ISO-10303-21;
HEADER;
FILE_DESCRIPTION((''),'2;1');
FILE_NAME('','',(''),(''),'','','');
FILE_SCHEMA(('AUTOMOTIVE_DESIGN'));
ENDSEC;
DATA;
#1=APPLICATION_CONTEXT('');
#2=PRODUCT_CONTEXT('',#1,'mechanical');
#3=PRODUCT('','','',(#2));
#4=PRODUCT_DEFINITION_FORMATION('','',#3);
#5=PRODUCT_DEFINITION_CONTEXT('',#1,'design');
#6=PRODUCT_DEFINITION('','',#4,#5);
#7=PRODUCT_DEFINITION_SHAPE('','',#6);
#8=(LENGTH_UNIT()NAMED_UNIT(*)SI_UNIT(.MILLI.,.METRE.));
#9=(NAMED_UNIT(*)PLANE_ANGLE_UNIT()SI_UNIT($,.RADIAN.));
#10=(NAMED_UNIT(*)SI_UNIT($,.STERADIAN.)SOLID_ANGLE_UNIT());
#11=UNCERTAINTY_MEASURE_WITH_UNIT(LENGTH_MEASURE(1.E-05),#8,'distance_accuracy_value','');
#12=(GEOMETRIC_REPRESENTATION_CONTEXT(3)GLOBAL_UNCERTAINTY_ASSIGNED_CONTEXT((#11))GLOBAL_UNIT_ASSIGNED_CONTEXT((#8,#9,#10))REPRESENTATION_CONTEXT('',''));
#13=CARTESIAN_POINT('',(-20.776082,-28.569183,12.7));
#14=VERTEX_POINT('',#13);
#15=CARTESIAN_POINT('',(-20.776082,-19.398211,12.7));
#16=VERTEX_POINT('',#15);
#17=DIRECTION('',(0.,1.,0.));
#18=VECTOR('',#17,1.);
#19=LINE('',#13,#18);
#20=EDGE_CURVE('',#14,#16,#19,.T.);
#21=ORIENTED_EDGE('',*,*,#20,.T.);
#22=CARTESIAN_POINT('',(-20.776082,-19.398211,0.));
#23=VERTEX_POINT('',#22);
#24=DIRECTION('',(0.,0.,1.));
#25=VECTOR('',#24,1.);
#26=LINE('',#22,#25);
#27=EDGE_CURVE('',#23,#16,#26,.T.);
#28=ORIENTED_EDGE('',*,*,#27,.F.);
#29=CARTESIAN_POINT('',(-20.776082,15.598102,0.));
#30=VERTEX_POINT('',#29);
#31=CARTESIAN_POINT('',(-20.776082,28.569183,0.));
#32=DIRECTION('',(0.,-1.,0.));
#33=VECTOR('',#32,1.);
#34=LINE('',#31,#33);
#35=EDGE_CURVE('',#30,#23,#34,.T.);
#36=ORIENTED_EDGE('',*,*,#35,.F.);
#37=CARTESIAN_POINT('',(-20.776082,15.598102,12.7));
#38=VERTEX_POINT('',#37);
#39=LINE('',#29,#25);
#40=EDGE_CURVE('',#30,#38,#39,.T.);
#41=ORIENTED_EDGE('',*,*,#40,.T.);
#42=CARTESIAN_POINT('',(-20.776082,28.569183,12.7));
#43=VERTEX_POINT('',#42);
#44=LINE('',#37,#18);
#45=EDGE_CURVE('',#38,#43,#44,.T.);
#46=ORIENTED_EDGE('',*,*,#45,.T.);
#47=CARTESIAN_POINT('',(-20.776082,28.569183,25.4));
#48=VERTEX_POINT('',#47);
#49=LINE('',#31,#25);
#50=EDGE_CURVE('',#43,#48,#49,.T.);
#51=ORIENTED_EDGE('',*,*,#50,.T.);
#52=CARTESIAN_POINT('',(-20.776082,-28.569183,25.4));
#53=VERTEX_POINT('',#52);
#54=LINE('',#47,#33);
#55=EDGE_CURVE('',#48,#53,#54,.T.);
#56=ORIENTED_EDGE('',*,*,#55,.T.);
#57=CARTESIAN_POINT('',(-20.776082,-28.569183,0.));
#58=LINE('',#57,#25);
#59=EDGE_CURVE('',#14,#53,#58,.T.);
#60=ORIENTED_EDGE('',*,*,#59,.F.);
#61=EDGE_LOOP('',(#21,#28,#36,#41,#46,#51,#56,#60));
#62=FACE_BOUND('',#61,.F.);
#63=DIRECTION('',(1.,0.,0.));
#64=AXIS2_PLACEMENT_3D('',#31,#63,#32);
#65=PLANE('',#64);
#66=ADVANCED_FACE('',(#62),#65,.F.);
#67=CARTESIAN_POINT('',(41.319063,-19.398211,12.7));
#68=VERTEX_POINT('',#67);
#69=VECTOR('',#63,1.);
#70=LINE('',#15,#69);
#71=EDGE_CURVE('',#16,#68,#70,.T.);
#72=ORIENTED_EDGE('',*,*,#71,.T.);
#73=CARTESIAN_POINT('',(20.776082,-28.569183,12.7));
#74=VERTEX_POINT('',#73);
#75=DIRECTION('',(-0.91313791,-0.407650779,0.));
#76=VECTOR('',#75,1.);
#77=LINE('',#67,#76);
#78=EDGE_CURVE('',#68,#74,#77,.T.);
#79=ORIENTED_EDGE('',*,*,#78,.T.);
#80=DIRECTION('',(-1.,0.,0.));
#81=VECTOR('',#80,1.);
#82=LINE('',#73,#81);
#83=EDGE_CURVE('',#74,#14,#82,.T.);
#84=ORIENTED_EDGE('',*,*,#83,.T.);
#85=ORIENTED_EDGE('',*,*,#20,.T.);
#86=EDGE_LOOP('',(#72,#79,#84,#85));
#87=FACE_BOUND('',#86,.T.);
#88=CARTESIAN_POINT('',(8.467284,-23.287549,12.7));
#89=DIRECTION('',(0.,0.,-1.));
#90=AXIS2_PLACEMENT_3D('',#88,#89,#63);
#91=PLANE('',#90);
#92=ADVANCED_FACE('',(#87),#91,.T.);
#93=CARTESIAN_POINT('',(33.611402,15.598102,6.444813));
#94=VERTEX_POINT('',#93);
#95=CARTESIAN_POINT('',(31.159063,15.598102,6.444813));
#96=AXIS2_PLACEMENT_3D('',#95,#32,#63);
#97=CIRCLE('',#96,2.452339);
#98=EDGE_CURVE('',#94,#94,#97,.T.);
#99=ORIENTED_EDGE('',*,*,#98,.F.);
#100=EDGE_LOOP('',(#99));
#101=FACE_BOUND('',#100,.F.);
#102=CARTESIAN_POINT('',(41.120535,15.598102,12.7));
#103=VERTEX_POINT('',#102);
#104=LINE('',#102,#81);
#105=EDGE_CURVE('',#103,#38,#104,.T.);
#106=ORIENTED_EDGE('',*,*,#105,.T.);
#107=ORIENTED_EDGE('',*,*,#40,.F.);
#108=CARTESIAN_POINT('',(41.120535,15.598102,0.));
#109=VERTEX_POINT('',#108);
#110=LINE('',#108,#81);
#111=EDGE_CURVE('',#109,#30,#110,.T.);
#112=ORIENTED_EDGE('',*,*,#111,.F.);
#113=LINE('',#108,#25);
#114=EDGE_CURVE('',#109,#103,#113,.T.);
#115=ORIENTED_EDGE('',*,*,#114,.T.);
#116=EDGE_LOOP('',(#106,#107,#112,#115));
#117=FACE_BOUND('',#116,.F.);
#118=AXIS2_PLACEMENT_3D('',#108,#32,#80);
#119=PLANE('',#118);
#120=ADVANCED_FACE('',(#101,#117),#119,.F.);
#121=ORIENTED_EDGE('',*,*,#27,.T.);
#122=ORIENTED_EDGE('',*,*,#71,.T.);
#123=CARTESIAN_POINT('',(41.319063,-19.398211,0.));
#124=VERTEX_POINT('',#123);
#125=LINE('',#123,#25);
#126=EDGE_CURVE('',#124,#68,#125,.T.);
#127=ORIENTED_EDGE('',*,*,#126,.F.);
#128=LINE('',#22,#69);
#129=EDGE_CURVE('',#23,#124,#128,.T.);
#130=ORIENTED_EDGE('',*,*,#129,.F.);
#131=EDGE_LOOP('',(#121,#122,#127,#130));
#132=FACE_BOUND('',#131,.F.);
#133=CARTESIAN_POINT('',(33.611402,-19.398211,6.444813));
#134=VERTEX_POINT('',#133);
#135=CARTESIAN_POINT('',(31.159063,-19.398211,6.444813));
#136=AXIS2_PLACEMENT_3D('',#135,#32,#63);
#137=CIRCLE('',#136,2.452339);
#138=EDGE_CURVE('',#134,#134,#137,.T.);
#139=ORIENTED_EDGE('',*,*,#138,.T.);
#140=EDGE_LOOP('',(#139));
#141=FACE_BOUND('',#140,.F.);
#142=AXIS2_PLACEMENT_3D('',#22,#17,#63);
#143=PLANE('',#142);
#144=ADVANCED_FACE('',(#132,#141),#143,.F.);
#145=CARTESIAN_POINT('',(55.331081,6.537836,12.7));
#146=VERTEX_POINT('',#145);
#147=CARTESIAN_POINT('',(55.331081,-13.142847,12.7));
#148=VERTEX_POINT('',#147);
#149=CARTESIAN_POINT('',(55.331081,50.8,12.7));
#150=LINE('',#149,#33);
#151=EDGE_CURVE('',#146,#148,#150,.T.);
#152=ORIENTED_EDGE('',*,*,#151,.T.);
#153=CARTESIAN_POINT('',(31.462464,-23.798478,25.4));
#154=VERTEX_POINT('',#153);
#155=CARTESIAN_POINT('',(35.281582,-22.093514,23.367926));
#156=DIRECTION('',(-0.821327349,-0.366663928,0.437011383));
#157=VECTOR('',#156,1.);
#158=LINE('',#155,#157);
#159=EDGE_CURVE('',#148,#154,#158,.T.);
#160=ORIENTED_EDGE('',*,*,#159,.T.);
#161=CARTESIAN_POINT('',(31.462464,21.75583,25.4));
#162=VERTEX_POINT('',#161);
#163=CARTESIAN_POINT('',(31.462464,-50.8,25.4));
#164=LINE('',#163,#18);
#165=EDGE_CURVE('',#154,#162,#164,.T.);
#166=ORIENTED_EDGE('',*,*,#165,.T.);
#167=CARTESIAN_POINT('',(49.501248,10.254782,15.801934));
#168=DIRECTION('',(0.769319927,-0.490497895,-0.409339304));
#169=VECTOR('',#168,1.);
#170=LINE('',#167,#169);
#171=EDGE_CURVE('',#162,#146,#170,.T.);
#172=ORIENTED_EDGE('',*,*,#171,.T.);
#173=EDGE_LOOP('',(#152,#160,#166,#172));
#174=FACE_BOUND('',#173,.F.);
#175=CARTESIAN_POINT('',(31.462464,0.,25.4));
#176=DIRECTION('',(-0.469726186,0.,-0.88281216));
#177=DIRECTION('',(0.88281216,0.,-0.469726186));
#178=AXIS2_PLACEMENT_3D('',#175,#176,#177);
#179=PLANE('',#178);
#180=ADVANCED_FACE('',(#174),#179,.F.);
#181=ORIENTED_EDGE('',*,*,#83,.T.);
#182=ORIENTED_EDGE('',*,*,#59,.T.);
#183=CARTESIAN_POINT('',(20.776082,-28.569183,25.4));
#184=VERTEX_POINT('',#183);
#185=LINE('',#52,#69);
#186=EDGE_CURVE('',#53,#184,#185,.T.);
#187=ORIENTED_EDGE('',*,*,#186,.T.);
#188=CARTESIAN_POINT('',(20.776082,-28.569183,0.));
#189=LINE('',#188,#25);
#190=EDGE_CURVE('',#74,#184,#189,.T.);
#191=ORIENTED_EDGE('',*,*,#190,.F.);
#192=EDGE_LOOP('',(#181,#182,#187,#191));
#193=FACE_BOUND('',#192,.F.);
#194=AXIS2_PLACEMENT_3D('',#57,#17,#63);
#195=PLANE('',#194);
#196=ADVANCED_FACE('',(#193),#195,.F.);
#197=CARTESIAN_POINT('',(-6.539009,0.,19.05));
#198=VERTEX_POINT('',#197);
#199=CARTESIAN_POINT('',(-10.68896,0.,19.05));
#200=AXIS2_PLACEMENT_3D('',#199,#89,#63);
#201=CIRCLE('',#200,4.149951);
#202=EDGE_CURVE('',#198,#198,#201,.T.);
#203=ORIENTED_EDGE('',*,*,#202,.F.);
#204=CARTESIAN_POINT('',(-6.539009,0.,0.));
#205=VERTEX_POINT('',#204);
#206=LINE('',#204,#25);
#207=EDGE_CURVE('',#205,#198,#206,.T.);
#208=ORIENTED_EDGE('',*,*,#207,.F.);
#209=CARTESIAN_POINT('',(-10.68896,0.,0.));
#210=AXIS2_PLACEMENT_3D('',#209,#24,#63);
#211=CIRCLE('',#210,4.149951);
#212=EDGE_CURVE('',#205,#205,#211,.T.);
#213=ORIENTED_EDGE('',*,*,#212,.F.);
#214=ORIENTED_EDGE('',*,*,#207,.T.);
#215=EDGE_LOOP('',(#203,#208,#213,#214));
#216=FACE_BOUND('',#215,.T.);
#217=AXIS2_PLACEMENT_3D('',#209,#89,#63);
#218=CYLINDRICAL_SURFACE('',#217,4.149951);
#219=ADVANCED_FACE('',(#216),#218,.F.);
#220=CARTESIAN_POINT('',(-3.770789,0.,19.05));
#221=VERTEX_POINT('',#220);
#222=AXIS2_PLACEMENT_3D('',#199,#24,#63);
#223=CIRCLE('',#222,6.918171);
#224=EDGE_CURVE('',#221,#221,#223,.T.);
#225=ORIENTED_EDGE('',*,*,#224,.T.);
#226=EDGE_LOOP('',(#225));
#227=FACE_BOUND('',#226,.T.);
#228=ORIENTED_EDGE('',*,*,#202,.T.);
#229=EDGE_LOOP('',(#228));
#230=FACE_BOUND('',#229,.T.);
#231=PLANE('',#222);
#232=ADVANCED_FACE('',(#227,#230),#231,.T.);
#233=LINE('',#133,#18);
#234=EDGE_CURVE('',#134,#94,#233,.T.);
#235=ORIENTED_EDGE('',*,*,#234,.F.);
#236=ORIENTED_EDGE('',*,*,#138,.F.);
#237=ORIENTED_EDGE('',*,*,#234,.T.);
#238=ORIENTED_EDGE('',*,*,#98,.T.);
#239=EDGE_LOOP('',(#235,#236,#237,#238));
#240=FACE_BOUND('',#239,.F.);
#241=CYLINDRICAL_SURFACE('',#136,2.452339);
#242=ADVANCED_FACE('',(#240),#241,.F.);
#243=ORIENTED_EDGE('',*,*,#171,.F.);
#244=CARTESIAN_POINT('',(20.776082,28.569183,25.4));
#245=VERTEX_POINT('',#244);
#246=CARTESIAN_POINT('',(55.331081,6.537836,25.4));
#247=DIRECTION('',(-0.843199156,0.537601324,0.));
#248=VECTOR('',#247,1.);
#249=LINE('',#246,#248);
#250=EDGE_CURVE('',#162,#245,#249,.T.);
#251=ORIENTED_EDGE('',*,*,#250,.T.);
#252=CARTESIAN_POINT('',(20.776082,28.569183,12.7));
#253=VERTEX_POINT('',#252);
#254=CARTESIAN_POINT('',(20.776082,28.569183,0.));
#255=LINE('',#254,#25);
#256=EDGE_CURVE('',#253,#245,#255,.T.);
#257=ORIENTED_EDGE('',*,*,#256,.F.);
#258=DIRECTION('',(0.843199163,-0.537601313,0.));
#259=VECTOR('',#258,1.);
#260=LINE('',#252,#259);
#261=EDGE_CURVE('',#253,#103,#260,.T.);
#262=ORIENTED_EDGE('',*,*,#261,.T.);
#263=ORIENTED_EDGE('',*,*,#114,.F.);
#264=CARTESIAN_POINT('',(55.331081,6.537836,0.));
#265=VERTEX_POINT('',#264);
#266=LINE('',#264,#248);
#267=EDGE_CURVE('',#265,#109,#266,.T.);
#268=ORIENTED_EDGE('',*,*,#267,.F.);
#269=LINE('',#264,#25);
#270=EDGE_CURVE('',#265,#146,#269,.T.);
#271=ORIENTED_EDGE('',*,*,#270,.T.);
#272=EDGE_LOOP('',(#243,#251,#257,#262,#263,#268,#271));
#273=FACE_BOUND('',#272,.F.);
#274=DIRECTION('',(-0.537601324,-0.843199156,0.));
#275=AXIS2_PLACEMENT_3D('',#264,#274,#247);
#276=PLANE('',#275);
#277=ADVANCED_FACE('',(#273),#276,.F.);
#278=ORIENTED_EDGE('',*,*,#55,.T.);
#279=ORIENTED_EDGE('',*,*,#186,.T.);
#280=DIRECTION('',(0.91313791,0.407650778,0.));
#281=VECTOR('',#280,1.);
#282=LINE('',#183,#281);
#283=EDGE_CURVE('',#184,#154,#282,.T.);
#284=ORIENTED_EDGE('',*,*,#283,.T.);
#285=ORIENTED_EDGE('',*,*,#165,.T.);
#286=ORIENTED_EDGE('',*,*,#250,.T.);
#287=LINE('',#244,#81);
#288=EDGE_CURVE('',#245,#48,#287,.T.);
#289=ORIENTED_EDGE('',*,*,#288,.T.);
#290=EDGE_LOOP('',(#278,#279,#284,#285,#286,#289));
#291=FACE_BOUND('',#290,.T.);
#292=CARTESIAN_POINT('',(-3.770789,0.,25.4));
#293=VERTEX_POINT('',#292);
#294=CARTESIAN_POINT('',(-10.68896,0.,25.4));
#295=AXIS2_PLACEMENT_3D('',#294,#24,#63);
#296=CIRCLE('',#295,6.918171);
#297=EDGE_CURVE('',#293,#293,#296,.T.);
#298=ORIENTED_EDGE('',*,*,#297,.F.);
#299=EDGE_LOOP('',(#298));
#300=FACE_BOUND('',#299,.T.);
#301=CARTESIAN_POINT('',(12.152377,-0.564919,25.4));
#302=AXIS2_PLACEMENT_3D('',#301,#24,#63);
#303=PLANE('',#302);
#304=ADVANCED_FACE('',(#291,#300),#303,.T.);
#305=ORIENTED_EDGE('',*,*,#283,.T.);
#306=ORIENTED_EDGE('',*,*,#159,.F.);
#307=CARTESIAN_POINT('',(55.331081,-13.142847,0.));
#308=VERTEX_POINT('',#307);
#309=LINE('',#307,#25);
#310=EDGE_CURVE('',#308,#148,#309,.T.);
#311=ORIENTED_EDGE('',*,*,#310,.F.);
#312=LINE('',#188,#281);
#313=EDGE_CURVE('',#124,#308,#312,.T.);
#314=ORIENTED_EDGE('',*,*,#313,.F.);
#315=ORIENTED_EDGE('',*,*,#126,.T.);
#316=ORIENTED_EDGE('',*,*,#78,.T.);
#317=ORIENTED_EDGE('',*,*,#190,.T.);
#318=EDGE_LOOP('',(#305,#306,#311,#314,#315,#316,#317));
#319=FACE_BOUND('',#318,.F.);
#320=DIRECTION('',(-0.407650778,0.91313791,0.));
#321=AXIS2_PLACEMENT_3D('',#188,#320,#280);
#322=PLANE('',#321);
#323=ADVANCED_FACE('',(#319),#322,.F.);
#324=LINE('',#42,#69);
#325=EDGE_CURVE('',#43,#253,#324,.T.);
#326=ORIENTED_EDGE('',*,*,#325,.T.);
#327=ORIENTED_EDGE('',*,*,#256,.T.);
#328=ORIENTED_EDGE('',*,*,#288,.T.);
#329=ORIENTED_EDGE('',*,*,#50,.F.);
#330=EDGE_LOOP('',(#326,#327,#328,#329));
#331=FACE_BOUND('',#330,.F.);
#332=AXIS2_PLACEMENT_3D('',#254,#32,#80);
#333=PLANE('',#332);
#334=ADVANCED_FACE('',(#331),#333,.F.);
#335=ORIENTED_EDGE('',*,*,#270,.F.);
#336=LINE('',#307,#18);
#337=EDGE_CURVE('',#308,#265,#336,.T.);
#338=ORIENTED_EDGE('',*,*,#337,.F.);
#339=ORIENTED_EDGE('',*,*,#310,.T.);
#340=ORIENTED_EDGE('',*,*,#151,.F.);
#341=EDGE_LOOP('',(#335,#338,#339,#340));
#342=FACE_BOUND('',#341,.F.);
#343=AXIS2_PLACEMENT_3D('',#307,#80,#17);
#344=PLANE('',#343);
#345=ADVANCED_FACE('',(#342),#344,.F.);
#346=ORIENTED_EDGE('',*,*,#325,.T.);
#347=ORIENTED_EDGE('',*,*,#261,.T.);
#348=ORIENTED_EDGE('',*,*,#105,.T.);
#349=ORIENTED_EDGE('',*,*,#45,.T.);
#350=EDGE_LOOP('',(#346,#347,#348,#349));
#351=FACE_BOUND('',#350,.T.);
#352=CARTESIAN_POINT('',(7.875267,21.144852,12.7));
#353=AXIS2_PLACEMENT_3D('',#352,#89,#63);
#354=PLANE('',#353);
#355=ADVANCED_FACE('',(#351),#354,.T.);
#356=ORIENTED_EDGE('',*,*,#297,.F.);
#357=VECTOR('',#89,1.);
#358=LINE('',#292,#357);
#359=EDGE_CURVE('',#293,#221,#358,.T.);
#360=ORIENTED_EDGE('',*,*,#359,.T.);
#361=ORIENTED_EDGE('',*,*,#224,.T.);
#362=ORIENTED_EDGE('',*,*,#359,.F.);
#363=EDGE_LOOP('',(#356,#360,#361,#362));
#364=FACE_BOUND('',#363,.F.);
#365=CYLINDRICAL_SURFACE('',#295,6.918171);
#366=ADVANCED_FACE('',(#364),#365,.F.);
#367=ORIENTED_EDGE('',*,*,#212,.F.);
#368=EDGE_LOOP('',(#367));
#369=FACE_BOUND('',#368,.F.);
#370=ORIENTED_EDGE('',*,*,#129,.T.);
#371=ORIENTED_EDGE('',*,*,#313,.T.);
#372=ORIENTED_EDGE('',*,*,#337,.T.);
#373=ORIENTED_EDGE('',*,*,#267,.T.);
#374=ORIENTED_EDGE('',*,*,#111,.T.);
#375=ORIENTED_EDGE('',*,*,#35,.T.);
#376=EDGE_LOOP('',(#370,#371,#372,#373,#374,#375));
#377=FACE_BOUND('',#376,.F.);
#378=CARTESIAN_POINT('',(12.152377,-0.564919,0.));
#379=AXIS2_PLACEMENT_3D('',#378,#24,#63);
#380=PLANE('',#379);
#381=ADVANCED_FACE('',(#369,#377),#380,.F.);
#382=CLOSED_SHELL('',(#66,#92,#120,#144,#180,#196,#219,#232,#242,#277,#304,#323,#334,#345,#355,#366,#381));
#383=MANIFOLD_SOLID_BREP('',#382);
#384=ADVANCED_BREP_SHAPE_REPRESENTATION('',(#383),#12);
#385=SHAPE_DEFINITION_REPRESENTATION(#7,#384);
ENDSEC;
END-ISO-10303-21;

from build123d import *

# Parameters (mm, degrees)
F0_R     = 4.149951
F1_DEPTH = 25.4
F3_DEPTH = 50.8
F5_DEPTH = 12.7
F6_R     = 6.918171
F7_DEPTH = 6.35
F8_R     = 2.452339
F9_DEPTH = 47.968393


with BuildPart() as f1:
    # F0 (on Top) → F1 (new body)
    with BuildSketch(Plane.XY):
        Polygon((20.776082, 28.569183), (-20.776082, 28.569183), (-20.776082, -28.569183), (20.776082, -28.569183), (55.331081, -13.142847), (55.331081, 6.537836), align=None)
        with Locations((-10.68896, 0)):
            Circle(F0_R, mode=Mode.SUBTRACT)
    extrude(amount=F1_DEPTH)

    # F2 (on Front) → F3 (cut, symmetric)
    with BuildSketch(Plane.XZ):
        Polygon((31.462464, 25.4), (55.331081, 12.7), (55.331081, 25.4), align=None)
    extrude(amount=F3_DEPTH, both=True, mode=Mode.SUBTRACT)

    # F4 (on face) → F5 (cut)
    with BuildSketch(Plane(origin=(0, 0, 0), x_dir=(1, 0, 0), z_dir=(0, 0, -1))):
        Polygon((20.776082, 28.569183), (-20.776082, 28.569183), (-20.776082, 19.398211), (41.319063, 19.398211), align=None)
        Polygon((41.120535, -15.598102), (-20.776082, -15.598102), (-20.776082, -28.569183), (20.776082, -28.569183), align=None)
    extrude(amount=-F5_DEPTH, mode=Mode.SUBTRACT)

    # F6 (on face) → F7 (cut)
    with BuildSketch(Plane.XY.offset(25.4)):
        with Locations((-10.68896, 0)):
            Circle(F6_R)
    extrude(amount=-F7_DEPTH, mode=Mode.SUBTRACT)

    # F8 (on face) → F9 (cut, through all)
    with BuildSketch(Plane.XZ.offset(19.398211)):
        with Locations((31.159063, 6.444813)):
            Circle(F8_R)
    extrude(amount=-F9_DEPTH, mode=Mode.SUBTRACT)


solid = f1.part
